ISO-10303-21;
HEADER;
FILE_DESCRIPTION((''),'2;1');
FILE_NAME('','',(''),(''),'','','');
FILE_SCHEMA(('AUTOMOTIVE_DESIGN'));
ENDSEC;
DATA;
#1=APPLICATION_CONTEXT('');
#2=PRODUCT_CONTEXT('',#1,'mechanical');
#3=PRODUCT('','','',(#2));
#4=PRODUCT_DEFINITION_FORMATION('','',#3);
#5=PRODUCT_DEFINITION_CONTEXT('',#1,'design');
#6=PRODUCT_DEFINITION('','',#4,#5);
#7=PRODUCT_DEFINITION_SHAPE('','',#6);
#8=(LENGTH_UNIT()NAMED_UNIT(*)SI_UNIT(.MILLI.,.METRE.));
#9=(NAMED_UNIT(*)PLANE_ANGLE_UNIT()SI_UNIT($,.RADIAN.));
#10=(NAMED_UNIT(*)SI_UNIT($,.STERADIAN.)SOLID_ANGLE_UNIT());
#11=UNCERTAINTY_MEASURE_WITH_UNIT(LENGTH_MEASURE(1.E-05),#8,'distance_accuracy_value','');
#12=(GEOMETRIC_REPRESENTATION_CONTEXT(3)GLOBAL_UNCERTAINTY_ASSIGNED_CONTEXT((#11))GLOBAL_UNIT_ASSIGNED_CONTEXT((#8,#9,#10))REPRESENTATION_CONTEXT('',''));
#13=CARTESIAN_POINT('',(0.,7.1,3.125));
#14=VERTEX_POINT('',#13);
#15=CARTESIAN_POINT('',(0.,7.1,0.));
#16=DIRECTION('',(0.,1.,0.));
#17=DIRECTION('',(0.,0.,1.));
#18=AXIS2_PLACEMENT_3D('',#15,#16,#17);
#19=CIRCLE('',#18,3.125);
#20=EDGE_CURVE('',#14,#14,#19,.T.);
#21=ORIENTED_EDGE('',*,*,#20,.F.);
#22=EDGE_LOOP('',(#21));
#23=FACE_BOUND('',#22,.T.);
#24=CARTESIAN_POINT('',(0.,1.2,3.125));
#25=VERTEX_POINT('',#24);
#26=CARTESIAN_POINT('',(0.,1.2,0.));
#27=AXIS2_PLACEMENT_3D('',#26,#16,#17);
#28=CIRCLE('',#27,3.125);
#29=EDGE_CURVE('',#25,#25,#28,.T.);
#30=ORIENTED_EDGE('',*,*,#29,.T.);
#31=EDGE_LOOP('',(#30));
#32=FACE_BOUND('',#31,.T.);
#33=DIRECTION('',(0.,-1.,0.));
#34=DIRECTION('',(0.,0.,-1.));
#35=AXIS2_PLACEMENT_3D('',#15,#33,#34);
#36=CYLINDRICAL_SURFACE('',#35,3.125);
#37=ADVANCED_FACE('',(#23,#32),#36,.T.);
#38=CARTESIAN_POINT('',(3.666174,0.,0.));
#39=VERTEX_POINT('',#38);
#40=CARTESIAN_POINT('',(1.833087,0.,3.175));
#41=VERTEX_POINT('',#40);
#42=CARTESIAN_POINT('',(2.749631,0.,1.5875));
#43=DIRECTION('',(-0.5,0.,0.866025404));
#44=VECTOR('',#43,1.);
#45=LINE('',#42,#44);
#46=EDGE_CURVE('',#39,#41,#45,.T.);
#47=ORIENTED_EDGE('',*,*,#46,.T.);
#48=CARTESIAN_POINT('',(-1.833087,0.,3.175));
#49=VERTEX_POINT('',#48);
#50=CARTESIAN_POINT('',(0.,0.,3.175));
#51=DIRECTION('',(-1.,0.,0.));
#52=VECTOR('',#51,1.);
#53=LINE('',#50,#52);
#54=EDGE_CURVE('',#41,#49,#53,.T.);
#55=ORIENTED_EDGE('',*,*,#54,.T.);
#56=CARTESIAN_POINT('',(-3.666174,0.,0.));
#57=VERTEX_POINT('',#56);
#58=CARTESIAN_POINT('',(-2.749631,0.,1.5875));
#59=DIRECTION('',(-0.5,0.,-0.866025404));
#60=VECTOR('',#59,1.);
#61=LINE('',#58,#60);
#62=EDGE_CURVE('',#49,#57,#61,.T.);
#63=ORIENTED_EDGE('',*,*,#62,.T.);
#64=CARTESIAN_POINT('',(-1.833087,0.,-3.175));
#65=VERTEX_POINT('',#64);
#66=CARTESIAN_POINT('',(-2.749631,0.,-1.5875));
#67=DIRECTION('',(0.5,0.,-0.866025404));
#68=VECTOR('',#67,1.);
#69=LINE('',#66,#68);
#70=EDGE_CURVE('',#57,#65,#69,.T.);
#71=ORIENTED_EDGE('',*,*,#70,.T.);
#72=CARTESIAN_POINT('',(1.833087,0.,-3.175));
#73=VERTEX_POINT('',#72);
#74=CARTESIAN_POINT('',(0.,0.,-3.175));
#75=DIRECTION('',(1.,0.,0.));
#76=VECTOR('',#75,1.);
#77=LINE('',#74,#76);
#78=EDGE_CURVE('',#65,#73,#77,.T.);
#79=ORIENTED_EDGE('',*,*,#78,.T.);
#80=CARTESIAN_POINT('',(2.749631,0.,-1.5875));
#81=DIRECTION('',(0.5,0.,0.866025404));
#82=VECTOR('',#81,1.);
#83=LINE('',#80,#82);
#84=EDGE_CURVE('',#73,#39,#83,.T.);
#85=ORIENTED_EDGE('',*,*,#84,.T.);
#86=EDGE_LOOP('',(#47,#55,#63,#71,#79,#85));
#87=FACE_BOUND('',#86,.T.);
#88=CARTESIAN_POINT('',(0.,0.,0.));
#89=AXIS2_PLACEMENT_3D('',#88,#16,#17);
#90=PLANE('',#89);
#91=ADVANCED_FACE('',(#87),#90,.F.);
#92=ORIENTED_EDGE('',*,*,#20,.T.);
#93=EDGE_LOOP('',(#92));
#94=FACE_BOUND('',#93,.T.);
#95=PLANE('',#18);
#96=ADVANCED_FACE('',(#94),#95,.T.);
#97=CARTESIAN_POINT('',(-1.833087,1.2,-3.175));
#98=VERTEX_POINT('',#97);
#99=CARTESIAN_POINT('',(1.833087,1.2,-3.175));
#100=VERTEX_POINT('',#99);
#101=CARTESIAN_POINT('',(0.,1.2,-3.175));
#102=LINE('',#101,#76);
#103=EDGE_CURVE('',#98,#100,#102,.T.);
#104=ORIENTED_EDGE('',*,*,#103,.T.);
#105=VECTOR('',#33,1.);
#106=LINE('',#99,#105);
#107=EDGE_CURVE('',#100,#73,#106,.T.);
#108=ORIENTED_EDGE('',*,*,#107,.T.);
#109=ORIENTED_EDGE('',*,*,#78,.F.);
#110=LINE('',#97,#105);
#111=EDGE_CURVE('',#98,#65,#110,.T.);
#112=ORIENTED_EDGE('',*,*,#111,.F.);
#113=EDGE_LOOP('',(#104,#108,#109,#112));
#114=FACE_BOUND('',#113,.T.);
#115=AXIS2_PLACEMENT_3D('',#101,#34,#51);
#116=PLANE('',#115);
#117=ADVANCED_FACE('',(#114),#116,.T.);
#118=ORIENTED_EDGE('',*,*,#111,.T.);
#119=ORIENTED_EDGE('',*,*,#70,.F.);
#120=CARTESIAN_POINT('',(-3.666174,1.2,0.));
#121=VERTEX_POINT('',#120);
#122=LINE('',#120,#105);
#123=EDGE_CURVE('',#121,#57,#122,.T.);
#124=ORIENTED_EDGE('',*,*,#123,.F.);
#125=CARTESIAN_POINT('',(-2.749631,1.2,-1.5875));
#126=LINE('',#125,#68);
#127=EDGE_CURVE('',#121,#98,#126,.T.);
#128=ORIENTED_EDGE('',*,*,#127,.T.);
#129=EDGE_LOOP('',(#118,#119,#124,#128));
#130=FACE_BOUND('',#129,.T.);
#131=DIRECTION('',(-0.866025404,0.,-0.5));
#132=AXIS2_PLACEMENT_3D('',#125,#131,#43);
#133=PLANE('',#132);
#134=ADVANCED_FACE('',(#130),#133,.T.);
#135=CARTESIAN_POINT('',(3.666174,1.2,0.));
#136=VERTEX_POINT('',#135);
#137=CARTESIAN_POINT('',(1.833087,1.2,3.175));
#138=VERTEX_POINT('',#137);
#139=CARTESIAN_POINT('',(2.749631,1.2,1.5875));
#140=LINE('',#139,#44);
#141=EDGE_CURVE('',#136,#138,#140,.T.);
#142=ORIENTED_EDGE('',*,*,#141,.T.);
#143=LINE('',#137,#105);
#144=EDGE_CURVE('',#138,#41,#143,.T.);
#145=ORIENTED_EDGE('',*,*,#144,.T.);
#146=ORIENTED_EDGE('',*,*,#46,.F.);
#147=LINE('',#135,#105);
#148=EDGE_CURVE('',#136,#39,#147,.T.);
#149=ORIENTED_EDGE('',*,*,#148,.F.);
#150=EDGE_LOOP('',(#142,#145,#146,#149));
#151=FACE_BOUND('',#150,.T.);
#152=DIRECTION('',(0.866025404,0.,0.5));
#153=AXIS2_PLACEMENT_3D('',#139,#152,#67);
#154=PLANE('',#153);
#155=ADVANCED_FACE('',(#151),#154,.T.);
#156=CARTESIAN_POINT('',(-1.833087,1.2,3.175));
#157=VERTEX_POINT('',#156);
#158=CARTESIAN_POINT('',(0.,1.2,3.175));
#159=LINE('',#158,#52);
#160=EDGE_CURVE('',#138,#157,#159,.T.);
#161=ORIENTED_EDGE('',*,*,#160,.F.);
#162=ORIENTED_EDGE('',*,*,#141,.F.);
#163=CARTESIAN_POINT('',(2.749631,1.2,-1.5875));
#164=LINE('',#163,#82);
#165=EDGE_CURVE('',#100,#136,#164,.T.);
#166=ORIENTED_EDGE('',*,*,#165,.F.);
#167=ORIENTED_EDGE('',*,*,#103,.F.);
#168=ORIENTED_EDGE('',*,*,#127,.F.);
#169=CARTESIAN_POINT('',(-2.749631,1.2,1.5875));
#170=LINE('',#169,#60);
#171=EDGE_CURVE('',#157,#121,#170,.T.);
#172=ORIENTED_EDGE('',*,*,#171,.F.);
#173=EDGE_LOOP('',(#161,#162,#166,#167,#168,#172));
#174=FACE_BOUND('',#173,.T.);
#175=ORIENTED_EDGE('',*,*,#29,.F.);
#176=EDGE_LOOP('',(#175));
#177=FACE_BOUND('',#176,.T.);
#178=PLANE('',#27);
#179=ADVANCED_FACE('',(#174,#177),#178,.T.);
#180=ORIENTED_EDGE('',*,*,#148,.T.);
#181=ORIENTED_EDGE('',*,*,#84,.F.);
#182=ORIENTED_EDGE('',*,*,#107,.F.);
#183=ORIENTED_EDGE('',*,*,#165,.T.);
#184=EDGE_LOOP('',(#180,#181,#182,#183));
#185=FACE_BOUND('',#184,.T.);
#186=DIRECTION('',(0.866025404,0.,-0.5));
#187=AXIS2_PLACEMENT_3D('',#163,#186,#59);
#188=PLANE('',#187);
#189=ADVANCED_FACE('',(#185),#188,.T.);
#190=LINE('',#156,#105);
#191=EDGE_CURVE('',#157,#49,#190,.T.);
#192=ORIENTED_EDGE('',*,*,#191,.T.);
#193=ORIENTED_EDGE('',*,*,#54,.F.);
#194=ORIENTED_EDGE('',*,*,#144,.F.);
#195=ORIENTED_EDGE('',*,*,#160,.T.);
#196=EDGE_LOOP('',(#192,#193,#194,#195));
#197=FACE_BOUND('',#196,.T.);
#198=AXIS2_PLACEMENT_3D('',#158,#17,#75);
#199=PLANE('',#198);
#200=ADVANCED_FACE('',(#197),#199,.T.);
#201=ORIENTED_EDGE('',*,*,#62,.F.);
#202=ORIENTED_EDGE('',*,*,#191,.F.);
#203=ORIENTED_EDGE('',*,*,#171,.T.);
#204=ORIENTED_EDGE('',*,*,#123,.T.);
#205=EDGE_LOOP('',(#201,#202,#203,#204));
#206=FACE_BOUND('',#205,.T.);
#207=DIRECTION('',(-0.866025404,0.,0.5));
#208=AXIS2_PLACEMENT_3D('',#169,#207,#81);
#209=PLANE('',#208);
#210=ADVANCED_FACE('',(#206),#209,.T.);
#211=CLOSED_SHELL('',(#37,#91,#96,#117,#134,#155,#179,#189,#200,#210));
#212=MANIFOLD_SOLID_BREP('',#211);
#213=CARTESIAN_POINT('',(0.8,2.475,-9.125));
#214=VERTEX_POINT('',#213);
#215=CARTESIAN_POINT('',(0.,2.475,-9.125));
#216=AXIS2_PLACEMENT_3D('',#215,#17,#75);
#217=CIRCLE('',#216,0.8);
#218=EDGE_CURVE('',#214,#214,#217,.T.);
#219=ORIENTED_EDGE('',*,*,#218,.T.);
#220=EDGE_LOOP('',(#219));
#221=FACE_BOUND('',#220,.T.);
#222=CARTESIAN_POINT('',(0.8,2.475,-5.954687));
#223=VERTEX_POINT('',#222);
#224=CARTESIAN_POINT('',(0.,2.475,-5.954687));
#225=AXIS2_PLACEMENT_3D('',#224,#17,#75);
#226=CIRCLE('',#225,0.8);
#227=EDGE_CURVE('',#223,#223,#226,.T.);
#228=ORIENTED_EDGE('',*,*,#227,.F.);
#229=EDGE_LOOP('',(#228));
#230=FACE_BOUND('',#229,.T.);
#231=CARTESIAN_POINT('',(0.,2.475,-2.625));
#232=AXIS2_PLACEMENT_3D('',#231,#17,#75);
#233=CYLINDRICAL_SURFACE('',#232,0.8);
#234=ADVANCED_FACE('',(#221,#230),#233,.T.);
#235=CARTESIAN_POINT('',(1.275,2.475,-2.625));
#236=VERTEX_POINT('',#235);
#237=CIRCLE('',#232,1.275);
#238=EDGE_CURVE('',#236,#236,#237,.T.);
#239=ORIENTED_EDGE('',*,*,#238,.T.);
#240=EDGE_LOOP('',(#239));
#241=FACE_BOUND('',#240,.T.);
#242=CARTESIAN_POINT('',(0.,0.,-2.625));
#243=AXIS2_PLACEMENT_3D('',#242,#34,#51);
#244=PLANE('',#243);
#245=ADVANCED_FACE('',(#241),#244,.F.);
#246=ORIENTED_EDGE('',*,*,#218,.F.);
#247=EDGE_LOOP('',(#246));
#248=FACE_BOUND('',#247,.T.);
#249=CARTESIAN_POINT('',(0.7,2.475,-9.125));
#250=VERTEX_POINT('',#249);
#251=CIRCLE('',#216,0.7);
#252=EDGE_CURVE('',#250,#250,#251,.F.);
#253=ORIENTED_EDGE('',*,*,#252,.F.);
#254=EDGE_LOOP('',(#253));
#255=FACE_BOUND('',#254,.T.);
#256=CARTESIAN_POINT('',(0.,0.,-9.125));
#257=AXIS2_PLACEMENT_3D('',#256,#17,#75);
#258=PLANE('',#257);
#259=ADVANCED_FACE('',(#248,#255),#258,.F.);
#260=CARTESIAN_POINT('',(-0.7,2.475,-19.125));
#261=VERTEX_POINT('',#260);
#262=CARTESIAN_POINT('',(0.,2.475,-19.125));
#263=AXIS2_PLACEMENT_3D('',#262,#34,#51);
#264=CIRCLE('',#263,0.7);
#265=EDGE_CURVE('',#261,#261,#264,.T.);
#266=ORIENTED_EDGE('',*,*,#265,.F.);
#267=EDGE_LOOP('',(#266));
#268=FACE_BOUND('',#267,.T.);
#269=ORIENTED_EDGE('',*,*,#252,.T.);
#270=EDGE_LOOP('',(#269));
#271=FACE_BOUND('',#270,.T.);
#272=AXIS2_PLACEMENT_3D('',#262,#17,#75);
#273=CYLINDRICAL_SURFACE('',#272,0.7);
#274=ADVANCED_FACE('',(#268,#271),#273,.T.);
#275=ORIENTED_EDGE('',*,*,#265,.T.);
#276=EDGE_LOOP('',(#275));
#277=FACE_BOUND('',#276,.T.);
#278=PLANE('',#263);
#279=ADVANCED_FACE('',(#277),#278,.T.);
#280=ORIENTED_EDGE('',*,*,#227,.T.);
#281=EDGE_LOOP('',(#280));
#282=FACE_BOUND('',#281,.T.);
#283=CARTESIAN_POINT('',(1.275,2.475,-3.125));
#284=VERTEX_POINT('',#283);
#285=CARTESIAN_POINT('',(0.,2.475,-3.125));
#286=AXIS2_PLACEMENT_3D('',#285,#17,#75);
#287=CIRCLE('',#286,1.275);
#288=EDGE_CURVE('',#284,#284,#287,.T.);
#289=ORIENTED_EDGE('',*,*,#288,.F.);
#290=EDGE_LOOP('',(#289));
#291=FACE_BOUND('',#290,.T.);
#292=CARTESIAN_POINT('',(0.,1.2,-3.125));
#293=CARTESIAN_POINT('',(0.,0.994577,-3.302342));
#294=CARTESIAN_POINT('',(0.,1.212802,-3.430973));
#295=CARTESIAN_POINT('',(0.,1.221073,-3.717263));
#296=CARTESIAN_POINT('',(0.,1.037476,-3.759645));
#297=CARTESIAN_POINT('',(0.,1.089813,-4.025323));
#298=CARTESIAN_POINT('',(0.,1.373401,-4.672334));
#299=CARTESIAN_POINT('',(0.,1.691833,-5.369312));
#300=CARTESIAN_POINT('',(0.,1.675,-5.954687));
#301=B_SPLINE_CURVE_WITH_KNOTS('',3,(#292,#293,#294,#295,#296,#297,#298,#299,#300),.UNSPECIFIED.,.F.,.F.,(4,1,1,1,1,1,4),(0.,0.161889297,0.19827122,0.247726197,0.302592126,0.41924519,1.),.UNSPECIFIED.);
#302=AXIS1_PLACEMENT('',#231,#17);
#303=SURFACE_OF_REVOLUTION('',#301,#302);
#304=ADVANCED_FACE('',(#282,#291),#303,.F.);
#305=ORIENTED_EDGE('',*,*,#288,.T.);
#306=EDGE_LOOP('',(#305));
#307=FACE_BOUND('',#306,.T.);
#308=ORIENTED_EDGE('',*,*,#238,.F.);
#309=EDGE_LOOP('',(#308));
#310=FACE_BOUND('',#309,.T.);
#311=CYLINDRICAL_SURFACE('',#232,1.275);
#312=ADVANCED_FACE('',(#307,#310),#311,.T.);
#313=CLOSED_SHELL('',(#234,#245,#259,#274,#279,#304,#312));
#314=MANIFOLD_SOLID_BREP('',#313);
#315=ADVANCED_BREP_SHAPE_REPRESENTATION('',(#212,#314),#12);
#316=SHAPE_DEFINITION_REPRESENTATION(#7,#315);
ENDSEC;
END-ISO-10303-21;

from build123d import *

# Parameters (mm, degrees)
SZKIC1_R                    = 3.175
DODANIE_WYCI_GNI_CIE1_DEPTH = 1.2
SZKIC2_R                    = 3.125
DODANIE_WYCI_GNI_CIE2_DEPTH = 5.9
SZKIC4_R                    = 0.7
DODANIE_WYCI_GNI_CIE3_DEPTH = 10


with BuildPart() as part:
    # Szkic1 → Dodanie-wyciągnięcie1 (new body)
    with BuildSketch(Plane(origin=(0, 0, 0), x_dir=(1, 0, 0), z_dir=(0, 1, 0))):
        Circle(SZKIC1_R)
        with BuildLine():
            ThreePointArc((1.5e-08, -3.175), (-1.587499982, -2.749630667), (-2.749630644, -1.587500022))
            Line((-2.749630644, -1.587500022), (-1.833087105, -3.175))
            Line((-1.833087105, -3.175), (1.5e-08, -3.175))
        make_face()
        with BuildLine():
            ThreePointArc((2.749630678, -1.587499964), (1.587500025, -2.749630643), (1.5e-08, -3.175))
            Line((1.5e-08, -3.175), (1.833087105, -3.175))
            Line((1.833087105, -3.175), (2.749630678, -1.587499964))
        make_face()
        with BuildLine():
            Line((3.666174209, 0), (2.749630648, 1.587500016))
            ThreePointArc((2.749630648, 1.587500016), (3.066814496, 0.821750477), (3.175, 0))
            ThreePointArc((3.175, 0), (3.066814504, -0.821750448), (2.749630678, -1.587499964))
            Line((2.749630678, -1.587499964), (3.666174209, 0))
        make_face()
        with BuildLine():
            ThreePointArc((-2.749630644, -1.587500022), (-3.175, -3.9e-08), (-2.749630684, 1.587499954))
            Line((-2.749630684, 1.587499954), (-3.666174209, 0))
            Line((-3.666174209, 0), (-2.749630644, -1.587500022))
        make_face()
        with BuildLine():
            Line((0, 3.175), (-1.833087105, 3.175))
            Line((-1.833087105, 3.175), (-2.749630684, 1.587499954))
            ThreePointArc((-2.749630684, 1.587499954), (-1.587500023, 2.749630644), (0, 3.175))
        make_face()
        with BuildLine():
            Line((1.833087105, 3.175), (0, 3.175))
            ThreePointArc((0, 3.175), (1.587499992, 2.749630662), (2.749630648, 1.587500016))
            Line((2.749630648, 1.587500016), (1.833087105, 3.175))
        make_face()
    extrude(amount=DODANIE_WYCI_GNI_CIE1_DEPTH)

    # Szkic2 → Dodanie-wyciągnięcie2 (add)
    with BuildSketch(Plane(origin=(0, 1.2, 0), x_dir=(1, 0, 0), z_dir=(0, 1, 0))):
        with Locations(Location((0, 0, 0), (0, 0, 270))):
            Circle(SZKIC2_R)
    extrude(amount=DODANIE_WYCI_GNI_CIE2_DEPTH)


with BuildPart() as body_2:
    # Szkic3 → Obrót6 (revolve)
    with BuildSketch(Plane(origin=(0, 0, 0), x_dir=(0, 0, -1), z_dir=(1, 0, 0)), mode=Mode.PRIVATE) as obr_t6_sk:
        with BuildLine():
            Line((2.625, 1.2), (3.125, 1.2))
            add(Edge.make_bspline(
                [(3.125, 1.2), (3.302341726, 0.994577387), (3.430972676, 1.212802375), (3.71726331, 1.221072779), (3.759645242, 1.037475503), (4.025322746, 1.089812703), (4.67233425, 1.373401445), (5.369312269, 1.691833029), (5.954686582, 1.675)],
                knots=[0, 0, 0, 0, 0.161889297, 0.19827122, 0.247726197, 0.302592126, 0.41924519, 1, 1, 1, 1], degree=3))
            Line((5.954686582, 1.675), (9.125, 1.675))
            Line((9.125, 1.675), (9.125, 2.475))
            Line((9.125, 2.475), (2.625, 2.475))
            Line((2.625, 2.475), (2.625, 1.2))
        make_face()
    revolve(obr_t6_sk.sketch.rotate(Axis((0, 2.475, -2.625), (0, 0, -1)), 270), axis=Axis((0, 2.475, -2.625), (0, 0, -1)))

    # Szkic4 → Dodanie-wyciągnięcie3 (add)
    with BuildSketch(Plane(origin=(0, 0, -9.125), x_dir=(-1, 0, 0), z_dir=(0, 0, -1))):
        with Locations(Location((0, 2.475, 0), (0, 0, 180))):
            Circle(SZKIC4_R)
    extrude(amount=DODANIE_WYCI_GNI_CIE3_DEPTH)


solid = Compound([part.part, body_2.part])
